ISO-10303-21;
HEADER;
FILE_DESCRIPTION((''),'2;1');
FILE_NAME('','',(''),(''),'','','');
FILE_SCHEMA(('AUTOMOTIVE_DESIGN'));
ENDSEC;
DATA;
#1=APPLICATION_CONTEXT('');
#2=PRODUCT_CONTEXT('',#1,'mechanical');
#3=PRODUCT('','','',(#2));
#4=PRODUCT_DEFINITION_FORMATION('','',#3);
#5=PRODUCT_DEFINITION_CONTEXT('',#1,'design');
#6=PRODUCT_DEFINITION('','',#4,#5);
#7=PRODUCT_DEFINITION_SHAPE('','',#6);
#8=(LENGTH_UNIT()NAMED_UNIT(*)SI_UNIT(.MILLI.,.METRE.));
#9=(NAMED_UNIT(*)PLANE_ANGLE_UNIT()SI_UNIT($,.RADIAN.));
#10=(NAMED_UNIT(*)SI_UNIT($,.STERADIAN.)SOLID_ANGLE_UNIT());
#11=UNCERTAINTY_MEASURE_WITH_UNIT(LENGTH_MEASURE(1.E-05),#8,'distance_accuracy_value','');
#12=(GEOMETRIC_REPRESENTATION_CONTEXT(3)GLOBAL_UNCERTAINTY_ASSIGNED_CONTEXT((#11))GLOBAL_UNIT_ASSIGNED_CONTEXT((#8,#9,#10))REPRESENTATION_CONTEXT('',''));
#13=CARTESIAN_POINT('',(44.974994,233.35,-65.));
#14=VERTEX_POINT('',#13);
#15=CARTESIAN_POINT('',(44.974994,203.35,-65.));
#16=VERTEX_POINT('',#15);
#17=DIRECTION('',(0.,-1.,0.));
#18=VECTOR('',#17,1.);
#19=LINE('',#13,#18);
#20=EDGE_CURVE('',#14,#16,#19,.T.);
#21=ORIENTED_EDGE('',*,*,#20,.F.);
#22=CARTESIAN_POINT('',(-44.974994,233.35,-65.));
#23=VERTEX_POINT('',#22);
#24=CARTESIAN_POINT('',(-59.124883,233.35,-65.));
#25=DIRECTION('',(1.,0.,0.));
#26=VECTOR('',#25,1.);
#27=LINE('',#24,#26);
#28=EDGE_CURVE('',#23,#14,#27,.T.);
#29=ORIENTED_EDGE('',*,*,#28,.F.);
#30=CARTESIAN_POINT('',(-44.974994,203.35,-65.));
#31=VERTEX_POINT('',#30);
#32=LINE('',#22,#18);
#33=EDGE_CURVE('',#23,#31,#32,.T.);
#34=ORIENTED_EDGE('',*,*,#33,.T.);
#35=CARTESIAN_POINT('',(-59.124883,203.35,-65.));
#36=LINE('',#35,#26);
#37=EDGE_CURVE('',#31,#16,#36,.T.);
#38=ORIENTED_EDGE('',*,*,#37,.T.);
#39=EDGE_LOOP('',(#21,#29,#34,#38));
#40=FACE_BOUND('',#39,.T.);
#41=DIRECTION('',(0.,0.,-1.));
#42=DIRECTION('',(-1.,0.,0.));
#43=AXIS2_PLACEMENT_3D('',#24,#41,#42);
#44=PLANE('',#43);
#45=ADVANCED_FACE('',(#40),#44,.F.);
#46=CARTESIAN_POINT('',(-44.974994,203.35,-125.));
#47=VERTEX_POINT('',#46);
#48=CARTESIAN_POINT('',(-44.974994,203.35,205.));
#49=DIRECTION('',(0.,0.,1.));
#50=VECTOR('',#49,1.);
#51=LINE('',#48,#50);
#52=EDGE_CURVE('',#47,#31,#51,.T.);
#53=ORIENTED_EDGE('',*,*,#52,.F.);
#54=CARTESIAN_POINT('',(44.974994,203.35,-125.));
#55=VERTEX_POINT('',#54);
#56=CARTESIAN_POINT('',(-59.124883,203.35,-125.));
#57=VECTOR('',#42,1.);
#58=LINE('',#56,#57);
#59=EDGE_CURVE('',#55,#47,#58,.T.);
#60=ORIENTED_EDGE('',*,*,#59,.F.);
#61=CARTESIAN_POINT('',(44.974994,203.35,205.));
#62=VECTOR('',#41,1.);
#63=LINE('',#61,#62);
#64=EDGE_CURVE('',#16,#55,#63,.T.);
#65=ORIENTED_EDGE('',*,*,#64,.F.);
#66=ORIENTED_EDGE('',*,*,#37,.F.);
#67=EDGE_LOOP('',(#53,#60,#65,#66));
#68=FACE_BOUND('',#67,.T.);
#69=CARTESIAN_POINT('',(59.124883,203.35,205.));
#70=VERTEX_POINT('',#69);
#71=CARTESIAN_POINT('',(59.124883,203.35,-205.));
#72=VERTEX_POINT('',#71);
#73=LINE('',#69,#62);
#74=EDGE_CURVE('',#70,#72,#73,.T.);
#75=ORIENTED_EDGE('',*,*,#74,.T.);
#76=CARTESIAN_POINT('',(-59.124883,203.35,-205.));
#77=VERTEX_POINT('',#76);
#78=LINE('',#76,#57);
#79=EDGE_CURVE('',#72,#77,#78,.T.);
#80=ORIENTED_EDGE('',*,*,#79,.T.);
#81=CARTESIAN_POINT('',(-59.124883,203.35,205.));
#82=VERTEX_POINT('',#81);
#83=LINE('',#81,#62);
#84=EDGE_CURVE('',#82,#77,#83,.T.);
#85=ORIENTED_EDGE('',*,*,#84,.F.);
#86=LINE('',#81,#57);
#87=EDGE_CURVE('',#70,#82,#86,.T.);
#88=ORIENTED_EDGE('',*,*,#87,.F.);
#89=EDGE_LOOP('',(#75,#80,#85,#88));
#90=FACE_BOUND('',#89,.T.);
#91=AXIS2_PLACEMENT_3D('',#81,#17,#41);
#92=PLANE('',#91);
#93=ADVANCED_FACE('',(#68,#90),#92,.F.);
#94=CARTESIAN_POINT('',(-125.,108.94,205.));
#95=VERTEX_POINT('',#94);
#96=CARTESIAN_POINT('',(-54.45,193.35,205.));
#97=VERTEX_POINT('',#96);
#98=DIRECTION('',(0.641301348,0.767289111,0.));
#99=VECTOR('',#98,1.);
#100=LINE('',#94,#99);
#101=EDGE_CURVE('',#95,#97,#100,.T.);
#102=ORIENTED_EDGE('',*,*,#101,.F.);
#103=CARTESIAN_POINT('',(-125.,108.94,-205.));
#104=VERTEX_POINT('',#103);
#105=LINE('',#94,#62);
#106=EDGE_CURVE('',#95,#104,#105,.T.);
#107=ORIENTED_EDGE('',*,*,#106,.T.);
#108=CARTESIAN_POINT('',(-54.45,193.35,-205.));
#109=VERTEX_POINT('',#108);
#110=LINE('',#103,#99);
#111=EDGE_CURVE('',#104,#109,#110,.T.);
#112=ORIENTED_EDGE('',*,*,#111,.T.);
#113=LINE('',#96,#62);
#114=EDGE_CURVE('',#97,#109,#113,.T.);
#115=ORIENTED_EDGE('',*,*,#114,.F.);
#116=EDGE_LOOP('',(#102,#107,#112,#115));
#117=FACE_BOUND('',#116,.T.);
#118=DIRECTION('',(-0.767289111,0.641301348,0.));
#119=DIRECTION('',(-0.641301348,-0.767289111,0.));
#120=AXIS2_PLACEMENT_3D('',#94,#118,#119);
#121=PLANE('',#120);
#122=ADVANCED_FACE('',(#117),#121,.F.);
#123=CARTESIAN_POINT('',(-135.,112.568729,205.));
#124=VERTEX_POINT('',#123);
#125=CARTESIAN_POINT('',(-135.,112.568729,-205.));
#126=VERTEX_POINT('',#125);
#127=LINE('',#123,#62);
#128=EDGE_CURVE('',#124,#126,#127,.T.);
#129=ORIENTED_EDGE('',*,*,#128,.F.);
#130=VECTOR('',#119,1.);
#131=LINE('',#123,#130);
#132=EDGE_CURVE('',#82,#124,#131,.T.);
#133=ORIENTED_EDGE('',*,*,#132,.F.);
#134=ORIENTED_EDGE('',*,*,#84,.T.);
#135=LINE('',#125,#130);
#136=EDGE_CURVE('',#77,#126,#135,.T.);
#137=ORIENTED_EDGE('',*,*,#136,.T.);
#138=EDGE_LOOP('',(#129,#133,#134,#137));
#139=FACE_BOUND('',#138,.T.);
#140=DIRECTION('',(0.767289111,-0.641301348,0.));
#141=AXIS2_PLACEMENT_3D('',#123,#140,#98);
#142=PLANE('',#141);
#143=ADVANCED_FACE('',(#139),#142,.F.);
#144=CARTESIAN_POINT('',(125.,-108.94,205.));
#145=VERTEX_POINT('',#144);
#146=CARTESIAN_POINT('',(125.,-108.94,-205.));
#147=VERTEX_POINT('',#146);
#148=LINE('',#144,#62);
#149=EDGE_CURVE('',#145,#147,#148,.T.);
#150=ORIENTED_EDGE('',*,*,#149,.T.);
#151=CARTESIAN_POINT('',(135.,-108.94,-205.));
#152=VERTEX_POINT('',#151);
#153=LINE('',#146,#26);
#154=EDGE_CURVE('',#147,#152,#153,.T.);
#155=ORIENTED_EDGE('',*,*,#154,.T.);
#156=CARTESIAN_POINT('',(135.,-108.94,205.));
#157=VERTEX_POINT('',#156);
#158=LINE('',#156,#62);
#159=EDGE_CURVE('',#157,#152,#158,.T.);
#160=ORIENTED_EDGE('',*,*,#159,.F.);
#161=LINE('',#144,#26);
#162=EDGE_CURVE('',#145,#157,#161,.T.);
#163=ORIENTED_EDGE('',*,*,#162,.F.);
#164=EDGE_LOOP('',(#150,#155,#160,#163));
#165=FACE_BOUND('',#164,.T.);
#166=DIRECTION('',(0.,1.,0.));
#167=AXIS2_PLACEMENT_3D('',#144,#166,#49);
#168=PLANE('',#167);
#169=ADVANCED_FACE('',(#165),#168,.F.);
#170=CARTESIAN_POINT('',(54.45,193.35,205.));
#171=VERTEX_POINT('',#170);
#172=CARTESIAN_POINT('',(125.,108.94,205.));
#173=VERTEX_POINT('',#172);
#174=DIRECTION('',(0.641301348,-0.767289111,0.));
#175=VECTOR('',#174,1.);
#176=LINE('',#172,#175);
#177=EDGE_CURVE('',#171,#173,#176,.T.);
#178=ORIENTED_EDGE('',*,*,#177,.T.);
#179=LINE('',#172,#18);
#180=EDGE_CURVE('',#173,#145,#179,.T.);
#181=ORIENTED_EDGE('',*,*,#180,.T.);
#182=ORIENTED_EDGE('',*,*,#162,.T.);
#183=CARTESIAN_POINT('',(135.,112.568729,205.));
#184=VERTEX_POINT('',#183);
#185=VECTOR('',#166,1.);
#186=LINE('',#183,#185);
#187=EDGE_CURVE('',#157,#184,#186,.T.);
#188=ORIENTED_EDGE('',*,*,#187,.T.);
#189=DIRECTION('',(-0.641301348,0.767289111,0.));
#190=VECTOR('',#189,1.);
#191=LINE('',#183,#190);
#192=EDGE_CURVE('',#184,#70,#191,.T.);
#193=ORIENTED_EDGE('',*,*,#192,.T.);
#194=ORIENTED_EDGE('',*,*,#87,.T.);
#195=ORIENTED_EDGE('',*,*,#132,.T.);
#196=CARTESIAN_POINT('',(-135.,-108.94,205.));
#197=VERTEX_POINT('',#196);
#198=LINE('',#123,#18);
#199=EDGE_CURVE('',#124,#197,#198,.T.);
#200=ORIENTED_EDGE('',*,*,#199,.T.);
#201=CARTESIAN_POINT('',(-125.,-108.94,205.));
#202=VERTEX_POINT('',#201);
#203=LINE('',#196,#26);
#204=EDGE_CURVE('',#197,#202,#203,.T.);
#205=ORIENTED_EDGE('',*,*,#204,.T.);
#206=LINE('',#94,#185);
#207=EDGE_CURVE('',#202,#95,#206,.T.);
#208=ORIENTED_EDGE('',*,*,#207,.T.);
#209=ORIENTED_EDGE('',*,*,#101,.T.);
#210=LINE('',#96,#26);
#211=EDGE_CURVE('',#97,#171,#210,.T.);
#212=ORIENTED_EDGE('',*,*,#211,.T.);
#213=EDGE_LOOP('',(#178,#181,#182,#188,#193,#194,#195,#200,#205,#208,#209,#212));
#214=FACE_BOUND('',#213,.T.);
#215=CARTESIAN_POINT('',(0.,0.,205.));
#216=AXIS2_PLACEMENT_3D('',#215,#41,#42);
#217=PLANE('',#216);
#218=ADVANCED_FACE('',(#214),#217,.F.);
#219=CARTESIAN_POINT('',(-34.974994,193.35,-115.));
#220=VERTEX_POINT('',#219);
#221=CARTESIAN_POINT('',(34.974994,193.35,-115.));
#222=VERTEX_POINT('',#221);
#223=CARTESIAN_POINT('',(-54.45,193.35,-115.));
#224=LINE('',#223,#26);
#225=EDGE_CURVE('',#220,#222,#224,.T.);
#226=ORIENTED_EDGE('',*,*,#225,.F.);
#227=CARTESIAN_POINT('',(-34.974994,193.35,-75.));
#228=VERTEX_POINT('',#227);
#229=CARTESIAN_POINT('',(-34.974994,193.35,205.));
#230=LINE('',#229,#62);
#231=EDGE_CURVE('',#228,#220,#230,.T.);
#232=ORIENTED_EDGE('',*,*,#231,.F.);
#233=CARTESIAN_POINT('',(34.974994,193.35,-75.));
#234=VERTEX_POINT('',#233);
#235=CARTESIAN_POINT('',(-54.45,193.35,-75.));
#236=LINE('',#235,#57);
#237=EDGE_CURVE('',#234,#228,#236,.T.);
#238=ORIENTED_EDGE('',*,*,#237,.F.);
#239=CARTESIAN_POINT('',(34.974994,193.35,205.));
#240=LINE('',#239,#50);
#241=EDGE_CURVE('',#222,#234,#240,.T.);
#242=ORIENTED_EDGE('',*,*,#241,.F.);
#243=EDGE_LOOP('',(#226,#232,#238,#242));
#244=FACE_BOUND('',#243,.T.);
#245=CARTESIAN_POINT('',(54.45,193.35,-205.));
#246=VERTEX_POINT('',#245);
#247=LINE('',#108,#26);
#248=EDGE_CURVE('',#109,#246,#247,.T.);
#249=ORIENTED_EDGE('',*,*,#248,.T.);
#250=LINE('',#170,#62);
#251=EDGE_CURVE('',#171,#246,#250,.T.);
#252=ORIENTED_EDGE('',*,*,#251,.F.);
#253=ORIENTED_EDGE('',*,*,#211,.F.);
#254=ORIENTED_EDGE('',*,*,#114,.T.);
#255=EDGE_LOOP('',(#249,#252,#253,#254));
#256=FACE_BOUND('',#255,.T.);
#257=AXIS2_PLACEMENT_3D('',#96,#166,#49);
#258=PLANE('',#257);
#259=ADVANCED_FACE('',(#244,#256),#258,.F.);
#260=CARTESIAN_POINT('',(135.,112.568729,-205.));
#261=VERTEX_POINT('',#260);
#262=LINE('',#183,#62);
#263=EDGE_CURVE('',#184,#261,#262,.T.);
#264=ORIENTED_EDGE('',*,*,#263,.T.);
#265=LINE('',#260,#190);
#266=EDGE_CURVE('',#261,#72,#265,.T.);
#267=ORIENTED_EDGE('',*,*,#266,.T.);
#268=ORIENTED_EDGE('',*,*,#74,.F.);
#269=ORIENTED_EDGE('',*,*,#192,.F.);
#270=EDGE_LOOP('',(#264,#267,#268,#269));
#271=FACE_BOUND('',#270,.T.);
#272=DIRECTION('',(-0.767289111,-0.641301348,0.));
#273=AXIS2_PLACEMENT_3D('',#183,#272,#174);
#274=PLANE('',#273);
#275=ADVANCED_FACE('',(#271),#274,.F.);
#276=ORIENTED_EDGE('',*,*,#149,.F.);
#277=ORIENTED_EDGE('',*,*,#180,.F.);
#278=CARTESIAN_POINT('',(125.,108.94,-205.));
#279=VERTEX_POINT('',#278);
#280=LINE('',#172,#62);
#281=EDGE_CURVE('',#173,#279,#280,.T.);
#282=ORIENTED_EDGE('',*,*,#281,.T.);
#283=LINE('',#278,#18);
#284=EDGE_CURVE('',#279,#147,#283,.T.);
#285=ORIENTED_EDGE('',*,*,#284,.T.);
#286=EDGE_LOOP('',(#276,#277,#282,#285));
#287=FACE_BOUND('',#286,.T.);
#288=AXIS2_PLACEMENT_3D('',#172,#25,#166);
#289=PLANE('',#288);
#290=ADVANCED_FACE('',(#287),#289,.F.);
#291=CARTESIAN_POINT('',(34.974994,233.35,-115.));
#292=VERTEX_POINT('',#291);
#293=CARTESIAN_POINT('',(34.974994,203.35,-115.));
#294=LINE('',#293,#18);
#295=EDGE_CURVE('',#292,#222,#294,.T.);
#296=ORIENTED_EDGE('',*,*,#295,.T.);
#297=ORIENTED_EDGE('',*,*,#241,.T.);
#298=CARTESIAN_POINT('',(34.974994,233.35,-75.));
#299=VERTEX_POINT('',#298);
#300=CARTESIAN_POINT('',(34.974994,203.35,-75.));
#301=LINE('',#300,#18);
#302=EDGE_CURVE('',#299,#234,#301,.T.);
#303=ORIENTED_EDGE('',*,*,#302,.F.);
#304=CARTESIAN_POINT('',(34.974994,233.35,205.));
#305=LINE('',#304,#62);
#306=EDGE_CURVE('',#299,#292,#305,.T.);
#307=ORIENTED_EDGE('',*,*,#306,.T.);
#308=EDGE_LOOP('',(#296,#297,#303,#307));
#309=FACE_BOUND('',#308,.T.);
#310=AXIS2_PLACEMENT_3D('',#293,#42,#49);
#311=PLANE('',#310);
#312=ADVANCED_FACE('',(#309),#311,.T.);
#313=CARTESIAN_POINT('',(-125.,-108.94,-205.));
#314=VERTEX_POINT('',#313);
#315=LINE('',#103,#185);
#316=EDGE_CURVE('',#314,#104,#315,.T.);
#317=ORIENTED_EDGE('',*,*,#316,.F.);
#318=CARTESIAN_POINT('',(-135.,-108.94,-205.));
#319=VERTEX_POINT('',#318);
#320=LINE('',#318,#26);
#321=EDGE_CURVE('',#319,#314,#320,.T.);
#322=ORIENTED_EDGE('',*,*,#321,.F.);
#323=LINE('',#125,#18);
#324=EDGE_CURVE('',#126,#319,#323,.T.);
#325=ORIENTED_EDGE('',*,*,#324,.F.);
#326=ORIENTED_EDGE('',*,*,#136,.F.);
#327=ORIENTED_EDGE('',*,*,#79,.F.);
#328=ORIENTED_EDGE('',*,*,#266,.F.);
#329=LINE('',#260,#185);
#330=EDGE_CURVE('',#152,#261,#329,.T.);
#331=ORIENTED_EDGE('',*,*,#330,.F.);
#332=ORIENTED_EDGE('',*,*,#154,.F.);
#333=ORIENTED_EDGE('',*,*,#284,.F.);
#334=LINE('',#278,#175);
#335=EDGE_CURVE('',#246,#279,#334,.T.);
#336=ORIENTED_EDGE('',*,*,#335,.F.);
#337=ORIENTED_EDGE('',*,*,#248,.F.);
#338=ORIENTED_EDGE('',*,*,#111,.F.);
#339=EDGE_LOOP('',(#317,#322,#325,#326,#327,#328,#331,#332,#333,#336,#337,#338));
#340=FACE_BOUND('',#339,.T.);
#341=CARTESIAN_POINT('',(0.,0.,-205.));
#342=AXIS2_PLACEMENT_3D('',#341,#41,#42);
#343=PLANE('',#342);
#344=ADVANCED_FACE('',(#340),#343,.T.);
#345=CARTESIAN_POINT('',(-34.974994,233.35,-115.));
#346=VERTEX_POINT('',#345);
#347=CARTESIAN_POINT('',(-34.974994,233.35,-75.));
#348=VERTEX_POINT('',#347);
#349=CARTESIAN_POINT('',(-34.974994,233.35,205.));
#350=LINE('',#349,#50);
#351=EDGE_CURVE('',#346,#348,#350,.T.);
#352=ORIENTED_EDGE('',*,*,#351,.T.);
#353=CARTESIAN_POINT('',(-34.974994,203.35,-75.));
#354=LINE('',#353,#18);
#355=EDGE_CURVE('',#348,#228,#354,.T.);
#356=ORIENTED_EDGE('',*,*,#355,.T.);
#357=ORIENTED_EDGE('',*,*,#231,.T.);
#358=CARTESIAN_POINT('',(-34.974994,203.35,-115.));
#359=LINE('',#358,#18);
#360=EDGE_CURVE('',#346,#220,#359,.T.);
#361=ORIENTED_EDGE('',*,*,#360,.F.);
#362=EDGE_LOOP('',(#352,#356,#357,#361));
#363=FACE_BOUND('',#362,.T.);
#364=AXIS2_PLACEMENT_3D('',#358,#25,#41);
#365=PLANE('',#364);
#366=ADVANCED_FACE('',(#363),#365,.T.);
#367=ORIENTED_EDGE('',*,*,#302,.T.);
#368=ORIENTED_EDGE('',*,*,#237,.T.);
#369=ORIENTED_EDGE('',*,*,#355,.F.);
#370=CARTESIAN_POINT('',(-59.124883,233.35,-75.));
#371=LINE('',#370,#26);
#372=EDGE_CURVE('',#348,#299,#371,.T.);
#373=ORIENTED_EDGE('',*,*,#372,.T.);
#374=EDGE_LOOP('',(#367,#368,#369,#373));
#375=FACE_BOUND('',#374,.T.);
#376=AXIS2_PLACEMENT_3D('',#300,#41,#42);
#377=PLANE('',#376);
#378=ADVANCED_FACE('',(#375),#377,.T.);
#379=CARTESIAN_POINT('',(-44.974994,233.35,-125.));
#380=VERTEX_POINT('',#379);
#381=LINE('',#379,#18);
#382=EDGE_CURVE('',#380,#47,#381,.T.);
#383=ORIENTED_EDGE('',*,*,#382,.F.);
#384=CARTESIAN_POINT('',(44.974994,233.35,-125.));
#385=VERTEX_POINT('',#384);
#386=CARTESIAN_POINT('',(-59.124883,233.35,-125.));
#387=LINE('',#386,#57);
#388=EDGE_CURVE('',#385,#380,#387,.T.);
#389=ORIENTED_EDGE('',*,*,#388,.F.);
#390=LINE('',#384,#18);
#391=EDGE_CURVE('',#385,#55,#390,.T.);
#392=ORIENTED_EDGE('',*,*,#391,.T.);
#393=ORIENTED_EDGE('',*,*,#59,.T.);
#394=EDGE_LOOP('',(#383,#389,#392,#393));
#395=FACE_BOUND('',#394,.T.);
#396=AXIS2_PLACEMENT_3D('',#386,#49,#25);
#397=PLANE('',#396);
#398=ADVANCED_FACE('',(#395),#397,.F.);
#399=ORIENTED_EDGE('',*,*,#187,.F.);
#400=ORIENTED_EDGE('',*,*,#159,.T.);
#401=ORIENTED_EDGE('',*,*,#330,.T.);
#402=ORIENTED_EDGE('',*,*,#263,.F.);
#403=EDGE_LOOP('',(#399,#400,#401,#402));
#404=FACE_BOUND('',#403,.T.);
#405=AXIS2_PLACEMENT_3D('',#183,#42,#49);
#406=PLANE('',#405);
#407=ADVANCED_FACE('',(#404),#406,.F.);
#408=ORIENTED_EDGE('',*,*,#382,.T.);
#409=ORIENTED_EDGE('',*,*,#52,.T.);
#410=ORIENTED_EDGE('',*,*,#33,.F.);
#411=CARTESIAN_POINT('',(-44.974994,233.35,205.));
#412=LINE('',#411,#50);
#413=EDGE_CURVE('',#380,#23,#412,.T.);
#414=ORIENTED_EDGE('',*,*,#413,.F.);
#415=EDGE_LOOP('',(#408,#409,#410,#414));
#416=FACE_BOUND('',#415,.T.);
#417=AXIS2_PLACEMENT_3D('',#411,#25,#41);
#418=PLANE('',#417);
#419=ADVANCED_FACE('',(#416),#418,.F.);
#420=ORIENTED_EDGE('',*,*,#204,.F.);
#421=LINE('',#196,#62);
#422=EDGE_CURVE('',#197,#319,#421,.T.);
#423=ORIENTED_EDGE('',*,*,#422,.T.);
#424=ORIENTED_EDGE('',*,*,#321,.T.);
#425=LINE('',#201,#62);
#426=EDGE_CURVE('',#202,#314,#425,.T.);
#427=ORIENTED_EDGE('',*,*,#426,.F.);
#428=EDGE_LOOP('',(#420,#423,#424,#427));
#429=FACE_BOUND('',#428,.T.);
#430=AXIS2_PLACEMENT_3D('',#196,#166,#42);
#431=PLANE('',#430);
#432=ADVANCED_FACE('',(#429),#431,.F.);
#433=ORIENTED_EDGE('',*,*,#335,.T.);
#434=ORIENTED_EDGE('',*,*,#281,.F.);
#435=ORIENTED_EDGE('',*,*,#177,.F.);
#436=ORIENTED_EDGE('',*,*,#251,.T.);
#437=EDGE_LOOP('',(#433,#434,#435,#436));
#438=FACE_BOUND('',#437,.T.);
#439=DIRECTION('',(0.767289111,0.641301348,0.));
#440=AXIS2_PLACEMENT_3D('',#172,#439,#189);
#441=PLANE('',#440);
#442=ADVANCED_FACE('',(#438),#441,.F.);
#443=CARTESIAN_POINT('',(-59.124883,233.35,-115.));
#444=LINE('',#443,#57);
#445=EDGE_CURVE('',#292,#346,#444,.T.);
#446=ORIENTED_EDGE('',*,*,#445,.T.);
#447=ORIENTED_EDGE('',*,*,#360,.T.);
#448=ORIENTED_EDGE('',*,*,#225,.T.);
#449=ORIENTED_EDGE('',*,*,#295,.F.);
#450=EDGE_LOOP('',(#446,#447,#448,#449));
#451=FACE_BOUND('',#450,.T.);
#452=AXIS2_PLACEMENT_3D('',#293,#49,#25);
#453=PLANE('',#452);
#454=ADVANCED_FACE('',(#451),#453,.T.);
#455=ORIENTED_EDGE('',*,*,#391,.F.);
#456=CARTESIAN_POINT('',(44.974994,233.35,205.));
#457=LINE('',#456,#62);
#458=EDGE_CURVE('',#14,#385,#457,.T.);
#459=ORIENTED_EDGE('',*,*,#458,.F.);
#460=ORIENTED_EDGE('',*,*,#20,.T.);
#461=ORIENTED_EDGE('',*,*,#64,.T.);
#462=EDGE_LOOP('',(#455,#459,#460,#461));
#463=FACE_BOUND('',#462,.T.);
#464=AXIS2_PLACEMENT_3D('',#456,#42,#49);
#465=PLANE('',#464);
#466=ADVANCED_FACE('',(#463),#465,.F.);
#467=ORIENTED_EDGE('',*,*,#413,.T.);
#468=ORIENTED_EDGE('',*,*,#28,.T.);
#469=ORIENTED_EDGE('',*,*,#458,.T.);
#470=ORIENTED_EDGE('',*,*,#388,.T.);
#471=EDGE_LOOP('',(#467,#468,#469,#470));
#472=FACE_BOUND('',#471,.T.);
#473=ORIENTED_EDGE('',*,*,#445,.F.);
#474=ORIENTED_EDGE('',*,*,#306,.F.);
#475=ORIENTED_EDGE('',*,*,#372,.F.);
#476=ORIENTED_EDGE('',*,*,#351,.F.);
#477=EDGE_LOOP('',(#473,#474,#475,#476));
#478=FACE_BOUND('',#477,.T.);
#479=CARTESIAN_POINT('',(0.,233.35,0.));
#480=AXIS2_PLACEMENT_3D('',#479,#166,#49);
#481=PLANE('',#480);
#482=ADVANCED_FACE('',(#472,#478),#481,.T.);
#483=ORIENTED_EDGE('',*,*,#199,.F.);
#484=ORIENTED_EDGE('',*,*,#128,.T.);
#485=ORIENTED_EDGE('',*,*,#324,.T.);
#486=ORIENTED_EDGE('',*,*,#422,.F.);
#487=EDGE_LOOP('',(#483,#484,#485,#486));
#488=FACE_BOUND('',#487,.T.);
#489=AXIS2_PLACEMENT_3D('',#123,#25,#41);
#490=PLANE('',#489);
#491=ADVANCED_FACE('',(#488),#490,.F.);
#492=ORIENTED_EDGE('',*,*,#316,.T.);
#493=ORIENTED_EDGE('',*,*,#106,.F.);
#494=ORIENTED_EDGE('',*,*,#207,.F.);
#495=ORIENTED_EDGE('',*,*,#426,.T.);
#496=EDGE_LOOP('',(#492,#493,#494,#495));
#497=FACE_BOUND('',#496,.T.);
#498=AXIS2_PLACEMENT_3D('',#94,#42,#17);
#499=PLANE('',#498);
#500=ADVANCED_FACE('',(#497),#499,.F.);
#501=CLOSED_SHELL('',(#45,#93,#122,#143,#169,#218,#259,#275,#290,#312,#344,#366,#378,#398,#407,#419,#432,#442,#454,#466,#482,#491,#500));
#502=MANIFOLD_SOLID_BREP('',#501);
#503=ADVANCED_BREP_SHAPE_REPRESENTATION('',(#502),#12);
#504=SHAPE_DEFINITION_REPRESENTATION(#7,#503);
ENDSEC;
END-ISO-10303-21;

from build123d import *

# Parameters (mm, degrees)
BOSS_EXTRUDE1_DEPTH = 205
SKETCH2_W           = 69.949988916
SKETCH2_H           = 40
CUT_EXTRUDE1_DEPTH  = 204.35
BOSS_EXTRUDE2_START = 203.35
SKETCH3_W           = 89.949988916
SKETCH3_H           = 60
SKETCH3_W_2         = 69.949988916
SKETCH3_H_2         = 40
BOSS_EXTRUDE2_DEPTH = 30


with BuildPart() as part:
    # Sketch1 → Boss-Extrude1 (new body, symmetric)
    with BuildSketch(Plane.XY):
        Polygon((-125, 108.94), (-54.45, 193.35), (54.45, 193.35), (125, 108.94), (125, -108.94), (135, -108.94), (135, 112.568729132), (59.1248826, 203.35), (-59.1248826, 203.35), (-135, 112.568729132), (-135, -108.94), (-125, -108.94), align=None)
    extrude(amount=BOSS_EXTRUDE1_DEPTH, both=True)

    # Sketch2 → Cut-Extrude1 (cut, through all)
    with BuildSketch(Plane(origin=(0, 0, 0), x_dir=(1, 0, 0), z_dir=(0, 1, 0))):
        with Locations((0, 95)):
            Rectangle(SKETCH2_W, SKETCH2_H)
    extrude(amount=CUT_EXTRUDE1_DEPTH, mode=Mode.SUBTRACT)

    # Sketch3 → Boss-Extrude2 (add)
    with BuildSketch(Plane(origin=(0, 0, 0), x_dir=(1, 0, 0), z_dir=(0, 1, 0)).offset(BOSS_EXTRUDE2_START)):
        with Locations((0, 95)):
            Rectangle(SKETCH3_W, SKETCH3_H)
        with Locations((0, 95)):
            Rectangle(SKETCH3_W_2, SKETCH3_H_2, mode=Mode.SUBTRACT)
    extrude(amount=BOSS_EXTRUDE2_DEPTH)


solid = part.part
